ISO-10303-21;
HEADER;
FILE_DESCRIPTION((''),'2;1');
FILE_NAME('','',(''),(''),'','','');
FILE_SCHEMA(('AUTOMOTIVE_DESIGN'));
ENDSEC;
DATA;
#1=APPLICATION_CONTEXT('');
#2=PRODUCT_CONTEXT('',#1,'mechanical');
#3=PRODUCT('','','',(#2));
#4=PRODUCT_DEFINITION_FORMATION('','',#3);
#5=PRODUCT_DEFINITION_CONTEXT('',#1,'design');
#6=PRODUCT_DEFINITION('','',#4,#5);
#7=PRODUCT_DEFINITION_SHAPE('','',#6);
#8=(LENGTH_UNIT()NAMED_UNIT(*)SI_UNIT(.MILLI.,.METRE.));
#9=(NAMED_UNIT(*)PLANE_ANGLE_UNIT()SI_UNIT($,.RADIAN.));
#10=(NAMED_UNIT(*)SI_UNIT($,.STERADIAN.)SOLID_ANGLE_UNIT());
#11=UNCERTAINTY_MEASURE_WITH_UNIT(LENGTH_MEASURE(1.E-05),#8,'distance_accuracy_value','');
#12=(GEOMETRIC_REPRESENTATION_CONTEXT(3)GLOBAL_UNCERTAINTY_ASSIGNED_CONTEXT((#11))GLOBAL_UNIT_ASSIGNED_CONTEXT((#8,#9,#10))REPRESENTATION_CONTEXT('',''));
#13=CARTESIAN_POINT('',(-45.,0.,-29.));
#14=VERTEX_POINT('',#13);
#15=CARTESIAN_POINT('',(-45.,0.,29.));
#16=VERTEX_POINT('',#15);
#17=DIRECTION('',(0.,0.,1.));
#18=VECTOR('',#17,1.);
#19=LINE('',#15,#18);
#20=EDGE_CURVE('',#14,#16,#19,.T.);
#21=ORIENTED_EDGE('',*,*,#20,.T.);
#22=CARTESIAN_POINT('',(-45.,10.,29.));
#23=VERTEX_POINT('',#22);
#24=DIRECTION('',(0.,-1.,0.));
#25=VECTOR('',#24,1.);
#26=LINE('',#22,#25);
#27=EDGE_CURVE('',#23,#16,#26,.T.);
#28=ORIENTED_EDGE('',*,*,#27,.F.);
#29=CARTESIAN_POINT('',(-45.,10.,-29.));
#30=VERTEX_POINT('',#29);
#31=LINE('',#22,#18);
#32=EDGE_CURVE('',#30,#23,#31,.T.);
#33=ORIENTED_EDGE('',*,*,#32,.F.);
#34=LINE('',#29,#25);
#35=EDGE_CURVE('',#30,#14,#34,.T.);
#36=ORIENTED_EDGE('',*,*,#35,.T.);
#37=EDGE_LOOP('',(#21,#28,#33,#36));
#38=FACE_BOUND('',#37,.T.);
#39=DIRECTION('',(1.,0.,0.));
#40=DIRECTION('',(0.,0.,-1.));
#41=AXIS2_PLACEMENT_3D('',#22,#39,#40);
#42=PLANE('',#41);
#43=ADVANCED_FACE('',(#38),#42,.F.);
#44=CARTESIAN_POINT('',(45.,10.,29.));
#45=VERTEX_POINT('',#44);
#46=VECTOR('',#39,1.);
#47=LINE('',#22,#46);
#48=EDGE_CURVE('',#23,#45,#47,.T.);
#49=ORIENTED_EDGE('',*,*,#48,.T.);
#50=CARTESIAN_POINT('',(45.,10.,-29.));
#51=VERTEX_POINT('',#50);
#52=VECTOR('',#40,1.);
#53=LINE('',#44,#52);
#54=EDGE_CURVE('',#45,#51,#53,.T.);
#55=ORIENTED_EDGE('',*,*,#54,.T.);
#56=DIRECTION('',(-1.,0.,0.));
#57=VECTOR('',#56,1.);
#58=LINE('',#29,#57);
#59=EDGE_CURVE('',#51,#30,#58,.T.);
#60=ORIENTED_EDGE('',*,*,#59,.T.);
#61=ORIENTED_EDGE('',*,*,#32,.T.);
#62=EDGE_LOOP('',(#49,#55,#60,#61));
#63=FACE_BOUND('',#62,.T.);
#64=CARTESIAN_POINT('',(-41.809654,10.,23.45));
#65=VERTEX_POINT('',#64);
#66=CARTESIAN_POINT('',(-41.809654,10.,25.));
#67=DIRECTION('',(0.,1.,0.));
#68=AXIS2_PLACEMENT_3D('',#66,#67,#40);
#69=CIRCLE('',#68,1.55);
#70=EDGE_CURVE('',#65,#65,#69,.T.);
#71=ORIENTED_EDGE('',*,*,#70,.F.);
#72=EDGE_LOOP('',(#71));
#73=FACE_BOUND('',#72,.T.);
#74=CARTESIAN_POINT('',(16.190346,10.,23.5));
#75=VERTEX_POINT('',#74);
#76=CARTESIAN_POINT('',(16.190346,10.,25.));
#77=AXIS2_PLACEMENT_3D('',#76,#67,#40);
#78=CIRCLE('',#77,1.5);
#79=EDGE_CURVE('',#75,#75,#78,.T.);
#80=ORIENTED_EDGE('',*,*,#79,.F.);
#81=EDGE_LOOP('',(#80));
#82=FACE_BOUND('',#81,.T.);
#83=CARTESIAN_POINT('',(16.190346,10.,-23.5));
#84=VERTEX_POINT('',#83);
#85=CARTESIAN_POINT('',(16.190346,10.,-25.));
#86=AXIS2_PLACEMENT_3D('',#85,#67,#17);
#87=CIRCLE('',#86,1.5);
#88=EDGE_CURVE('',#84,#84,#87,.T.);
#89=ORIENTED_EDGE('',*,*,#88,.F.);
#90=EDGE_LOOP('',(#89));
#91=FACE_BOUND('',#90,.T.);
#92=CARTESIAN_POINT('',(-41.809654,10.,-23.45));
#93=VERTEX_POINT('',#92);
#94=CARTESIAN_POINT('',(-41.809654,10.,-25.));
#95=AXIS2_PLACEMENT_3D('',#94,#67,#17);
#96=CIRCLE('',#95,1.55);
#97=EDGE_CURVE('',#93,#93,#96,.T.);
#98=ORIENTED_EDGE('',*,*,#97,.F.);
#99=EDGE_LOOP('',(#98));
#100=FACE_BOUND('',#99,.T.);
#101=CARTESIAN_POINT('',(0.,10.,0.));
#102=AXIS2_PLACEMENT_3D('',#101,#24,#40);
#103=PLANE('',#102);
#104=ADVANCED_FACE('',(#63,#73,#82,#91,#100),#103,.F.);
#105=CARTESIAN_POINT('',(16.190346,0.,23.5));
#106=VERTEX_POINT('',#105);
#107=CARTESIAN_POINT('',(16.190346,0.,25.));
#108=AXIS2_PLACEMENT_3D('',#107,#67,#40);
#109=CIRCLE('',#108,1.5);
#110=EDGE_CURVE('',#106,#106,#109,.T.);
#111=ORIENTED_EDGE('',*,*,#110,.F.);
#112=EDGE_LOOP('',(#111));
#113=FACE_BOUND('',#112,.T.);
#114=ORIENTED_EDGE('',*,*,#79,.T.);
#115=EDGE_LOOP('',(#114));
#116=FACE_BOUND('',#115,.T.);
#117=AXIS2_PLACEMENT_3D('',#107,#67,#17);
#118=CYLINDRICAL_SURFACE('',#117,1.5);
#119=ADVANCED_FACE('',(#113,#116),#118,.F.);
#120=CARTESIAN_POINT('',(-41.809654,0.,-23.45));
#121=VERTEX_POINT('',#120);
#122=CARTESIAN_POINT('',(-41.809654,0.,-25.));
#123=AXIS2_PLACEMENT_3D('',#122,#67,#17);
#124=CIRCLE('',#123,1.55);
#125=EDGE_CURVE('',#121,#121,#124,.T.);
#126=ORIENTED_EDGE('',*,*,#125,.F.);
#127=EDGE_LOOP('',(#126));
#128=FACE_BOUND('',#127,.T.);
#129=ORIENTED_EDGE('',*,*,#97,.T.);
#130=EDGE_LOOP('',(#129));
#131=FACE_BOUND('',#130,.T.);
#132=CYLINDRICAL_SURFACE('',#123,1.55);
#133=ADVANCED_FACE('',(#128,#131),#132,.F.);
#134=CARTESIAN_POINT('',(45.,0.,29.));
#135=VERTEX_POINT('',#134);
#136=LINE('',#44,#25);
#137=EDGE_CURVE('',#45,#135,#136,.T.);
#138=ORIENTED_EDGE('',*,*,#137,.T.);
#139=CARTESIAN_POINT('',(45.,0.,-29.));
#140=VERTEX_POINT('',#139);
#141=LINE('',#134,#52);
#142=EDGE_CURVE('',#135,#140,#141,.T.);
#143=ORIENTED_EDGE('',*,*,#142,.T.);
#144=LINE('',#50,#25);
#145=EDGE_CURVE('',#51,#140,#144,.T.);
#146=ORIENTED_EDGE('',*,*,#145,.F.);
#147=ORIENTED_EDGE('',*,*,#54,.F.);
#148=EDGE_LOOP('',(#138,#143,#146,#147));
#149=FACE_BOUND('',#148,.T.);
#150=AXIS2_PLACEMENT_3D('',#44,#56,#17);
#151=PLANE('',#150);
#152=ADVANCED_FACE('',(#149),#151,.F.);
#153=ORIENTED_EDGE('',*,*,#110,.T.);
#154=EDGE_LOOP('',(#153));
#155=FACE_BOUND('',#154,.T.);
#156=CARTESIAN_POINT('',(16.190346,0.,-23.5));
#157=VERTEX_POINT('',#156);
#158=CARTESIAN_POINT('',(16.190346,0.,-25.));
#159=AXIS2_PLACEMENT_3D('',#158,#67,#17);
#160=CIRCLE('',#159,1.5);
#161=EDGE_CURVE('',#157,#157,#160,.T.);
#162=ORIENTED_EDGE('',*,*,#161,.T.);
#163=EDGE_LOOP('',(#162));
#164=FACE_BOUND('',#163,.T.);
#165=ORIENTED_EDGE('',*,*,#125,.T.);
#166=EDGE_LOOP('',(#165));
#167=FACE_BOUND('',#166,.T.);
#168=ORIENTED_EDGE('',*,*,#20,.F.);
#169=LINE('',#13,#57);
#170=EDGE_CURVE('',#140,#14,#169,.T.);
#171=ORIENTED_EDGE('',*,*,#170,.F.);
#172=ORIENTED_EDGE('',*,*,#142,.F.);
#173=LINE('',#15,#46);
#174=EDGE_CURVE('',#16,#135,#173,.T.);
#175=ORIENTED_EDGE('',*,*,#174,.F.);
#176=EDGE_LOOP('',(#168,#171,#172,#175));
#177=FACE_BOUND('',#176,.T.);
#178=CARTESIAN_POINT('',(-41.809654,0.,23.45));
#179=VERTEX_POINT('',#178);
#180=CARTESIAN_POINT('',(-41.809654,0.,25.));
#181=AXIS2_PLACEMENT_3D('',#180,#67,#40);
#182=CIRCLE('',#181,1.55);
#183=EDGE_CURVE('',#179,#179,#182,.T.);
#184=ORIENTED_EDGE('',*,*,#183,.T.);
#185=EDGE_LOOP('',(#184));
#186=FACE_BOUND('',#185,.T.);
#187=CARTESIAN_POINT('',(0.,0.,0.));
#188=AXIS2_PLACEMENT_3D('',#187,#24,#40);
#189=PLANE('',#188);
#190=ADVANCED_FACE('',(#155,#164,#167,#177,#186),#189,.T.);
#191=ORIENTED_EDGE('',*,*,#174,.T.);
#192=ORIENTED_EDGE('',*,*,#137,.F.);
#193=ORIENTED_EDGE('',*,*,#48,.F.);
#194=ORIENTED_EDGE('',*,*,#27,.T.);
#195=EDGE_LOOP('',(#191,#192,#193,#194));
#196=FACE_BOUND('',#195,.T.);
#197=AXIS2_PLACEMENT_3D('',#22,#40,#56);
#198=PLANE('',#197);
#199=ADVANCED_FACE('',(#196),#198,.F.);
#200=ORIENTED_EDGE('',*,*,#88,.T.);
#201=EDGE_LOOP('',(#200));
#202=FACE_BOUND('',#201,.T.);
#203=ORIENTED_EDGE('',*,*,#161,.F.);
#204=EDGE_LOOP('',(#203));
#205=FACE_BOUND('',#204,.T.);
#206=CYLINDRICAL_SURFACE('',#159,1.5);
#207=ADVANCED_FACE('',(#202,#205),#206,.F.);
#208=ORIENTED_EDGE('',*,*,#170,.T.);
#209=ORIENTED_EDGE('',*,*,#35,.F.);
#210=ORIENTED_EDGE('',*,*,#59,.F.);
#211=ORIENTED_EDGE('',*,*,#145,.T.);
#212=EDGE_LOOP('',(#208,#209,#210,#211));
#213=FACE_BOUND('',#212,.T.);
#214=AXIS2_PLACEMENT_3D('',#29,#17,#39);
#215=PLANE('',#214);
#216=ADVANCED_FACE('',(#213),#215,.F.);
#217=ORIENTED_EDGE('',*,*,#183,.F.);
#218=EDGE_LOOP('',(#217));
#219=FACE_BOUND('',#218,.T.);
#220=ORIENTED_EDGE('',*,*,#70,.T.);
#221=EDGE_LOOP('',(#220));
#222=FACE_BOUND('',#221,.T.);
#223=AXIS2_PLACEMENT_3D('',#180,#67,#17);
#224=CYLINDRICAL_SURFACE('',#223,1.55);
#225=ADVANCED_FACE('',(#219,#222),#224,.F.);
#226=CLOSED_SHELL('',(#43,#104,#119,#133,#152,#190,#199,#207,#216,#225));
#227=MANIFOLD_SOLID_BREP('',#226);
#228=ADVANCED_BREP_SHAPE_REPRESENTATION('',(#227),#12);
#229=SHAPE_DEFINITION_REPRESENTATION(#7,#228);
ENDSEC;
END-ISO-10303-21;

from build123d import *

# Parameters (mm, degrees)
SKETCH_1_W          = 90
SKETCH_1_H          = 58
EXTRUDE_1_DEPTH     = 10
SKETCH_2_R          = 1.55
SKETCH_2_R_2        = 1.5
CUT_EXTRUDE_1_DEPTH = 10


with BuildPart() as part:
    # 草图1 → 凸台-拉伸1 (new body)
    with BuildSketch(Plane(origin=(0, 0, 0), x_dir=(1, 0, 0), z_dir=(0, 1, 0))):
        Rectangle(SKETCH_1_W, SKETCH_1_H)
    extrude(amount=EXTRUDE_1_DEPTH)

    # 草图2 → 切除-拉伸1 (cut)
    with BuildSketch(Plane(origin=(0, 10, 0), x_dir=(1, 0, 0), z_dir=(0, 1, 0))):
        with Locations(Location((-41.809653522, 25, 0), (0, 0, 270))):
            Circle(SKETCH_2_R)
        with Locations(Location((16.190346478, 25, 0), (0, 0, 270))):
            Circle(SKETCH_2_R_2)
        with Locations(Location((-41.809653522, -25, 0), (0, 0, 90))):
            Circle(SKETCH_2_R)
        with Locations(Location((16.190346478, -25, 0), (0, 0, 90))):
            Circle(SKETCH_2_R_2)
    extrude(amount=-CUT_EXTRUDE_1_DEPTH, mode=Mode.SUBTRACT)


solid = part.part
